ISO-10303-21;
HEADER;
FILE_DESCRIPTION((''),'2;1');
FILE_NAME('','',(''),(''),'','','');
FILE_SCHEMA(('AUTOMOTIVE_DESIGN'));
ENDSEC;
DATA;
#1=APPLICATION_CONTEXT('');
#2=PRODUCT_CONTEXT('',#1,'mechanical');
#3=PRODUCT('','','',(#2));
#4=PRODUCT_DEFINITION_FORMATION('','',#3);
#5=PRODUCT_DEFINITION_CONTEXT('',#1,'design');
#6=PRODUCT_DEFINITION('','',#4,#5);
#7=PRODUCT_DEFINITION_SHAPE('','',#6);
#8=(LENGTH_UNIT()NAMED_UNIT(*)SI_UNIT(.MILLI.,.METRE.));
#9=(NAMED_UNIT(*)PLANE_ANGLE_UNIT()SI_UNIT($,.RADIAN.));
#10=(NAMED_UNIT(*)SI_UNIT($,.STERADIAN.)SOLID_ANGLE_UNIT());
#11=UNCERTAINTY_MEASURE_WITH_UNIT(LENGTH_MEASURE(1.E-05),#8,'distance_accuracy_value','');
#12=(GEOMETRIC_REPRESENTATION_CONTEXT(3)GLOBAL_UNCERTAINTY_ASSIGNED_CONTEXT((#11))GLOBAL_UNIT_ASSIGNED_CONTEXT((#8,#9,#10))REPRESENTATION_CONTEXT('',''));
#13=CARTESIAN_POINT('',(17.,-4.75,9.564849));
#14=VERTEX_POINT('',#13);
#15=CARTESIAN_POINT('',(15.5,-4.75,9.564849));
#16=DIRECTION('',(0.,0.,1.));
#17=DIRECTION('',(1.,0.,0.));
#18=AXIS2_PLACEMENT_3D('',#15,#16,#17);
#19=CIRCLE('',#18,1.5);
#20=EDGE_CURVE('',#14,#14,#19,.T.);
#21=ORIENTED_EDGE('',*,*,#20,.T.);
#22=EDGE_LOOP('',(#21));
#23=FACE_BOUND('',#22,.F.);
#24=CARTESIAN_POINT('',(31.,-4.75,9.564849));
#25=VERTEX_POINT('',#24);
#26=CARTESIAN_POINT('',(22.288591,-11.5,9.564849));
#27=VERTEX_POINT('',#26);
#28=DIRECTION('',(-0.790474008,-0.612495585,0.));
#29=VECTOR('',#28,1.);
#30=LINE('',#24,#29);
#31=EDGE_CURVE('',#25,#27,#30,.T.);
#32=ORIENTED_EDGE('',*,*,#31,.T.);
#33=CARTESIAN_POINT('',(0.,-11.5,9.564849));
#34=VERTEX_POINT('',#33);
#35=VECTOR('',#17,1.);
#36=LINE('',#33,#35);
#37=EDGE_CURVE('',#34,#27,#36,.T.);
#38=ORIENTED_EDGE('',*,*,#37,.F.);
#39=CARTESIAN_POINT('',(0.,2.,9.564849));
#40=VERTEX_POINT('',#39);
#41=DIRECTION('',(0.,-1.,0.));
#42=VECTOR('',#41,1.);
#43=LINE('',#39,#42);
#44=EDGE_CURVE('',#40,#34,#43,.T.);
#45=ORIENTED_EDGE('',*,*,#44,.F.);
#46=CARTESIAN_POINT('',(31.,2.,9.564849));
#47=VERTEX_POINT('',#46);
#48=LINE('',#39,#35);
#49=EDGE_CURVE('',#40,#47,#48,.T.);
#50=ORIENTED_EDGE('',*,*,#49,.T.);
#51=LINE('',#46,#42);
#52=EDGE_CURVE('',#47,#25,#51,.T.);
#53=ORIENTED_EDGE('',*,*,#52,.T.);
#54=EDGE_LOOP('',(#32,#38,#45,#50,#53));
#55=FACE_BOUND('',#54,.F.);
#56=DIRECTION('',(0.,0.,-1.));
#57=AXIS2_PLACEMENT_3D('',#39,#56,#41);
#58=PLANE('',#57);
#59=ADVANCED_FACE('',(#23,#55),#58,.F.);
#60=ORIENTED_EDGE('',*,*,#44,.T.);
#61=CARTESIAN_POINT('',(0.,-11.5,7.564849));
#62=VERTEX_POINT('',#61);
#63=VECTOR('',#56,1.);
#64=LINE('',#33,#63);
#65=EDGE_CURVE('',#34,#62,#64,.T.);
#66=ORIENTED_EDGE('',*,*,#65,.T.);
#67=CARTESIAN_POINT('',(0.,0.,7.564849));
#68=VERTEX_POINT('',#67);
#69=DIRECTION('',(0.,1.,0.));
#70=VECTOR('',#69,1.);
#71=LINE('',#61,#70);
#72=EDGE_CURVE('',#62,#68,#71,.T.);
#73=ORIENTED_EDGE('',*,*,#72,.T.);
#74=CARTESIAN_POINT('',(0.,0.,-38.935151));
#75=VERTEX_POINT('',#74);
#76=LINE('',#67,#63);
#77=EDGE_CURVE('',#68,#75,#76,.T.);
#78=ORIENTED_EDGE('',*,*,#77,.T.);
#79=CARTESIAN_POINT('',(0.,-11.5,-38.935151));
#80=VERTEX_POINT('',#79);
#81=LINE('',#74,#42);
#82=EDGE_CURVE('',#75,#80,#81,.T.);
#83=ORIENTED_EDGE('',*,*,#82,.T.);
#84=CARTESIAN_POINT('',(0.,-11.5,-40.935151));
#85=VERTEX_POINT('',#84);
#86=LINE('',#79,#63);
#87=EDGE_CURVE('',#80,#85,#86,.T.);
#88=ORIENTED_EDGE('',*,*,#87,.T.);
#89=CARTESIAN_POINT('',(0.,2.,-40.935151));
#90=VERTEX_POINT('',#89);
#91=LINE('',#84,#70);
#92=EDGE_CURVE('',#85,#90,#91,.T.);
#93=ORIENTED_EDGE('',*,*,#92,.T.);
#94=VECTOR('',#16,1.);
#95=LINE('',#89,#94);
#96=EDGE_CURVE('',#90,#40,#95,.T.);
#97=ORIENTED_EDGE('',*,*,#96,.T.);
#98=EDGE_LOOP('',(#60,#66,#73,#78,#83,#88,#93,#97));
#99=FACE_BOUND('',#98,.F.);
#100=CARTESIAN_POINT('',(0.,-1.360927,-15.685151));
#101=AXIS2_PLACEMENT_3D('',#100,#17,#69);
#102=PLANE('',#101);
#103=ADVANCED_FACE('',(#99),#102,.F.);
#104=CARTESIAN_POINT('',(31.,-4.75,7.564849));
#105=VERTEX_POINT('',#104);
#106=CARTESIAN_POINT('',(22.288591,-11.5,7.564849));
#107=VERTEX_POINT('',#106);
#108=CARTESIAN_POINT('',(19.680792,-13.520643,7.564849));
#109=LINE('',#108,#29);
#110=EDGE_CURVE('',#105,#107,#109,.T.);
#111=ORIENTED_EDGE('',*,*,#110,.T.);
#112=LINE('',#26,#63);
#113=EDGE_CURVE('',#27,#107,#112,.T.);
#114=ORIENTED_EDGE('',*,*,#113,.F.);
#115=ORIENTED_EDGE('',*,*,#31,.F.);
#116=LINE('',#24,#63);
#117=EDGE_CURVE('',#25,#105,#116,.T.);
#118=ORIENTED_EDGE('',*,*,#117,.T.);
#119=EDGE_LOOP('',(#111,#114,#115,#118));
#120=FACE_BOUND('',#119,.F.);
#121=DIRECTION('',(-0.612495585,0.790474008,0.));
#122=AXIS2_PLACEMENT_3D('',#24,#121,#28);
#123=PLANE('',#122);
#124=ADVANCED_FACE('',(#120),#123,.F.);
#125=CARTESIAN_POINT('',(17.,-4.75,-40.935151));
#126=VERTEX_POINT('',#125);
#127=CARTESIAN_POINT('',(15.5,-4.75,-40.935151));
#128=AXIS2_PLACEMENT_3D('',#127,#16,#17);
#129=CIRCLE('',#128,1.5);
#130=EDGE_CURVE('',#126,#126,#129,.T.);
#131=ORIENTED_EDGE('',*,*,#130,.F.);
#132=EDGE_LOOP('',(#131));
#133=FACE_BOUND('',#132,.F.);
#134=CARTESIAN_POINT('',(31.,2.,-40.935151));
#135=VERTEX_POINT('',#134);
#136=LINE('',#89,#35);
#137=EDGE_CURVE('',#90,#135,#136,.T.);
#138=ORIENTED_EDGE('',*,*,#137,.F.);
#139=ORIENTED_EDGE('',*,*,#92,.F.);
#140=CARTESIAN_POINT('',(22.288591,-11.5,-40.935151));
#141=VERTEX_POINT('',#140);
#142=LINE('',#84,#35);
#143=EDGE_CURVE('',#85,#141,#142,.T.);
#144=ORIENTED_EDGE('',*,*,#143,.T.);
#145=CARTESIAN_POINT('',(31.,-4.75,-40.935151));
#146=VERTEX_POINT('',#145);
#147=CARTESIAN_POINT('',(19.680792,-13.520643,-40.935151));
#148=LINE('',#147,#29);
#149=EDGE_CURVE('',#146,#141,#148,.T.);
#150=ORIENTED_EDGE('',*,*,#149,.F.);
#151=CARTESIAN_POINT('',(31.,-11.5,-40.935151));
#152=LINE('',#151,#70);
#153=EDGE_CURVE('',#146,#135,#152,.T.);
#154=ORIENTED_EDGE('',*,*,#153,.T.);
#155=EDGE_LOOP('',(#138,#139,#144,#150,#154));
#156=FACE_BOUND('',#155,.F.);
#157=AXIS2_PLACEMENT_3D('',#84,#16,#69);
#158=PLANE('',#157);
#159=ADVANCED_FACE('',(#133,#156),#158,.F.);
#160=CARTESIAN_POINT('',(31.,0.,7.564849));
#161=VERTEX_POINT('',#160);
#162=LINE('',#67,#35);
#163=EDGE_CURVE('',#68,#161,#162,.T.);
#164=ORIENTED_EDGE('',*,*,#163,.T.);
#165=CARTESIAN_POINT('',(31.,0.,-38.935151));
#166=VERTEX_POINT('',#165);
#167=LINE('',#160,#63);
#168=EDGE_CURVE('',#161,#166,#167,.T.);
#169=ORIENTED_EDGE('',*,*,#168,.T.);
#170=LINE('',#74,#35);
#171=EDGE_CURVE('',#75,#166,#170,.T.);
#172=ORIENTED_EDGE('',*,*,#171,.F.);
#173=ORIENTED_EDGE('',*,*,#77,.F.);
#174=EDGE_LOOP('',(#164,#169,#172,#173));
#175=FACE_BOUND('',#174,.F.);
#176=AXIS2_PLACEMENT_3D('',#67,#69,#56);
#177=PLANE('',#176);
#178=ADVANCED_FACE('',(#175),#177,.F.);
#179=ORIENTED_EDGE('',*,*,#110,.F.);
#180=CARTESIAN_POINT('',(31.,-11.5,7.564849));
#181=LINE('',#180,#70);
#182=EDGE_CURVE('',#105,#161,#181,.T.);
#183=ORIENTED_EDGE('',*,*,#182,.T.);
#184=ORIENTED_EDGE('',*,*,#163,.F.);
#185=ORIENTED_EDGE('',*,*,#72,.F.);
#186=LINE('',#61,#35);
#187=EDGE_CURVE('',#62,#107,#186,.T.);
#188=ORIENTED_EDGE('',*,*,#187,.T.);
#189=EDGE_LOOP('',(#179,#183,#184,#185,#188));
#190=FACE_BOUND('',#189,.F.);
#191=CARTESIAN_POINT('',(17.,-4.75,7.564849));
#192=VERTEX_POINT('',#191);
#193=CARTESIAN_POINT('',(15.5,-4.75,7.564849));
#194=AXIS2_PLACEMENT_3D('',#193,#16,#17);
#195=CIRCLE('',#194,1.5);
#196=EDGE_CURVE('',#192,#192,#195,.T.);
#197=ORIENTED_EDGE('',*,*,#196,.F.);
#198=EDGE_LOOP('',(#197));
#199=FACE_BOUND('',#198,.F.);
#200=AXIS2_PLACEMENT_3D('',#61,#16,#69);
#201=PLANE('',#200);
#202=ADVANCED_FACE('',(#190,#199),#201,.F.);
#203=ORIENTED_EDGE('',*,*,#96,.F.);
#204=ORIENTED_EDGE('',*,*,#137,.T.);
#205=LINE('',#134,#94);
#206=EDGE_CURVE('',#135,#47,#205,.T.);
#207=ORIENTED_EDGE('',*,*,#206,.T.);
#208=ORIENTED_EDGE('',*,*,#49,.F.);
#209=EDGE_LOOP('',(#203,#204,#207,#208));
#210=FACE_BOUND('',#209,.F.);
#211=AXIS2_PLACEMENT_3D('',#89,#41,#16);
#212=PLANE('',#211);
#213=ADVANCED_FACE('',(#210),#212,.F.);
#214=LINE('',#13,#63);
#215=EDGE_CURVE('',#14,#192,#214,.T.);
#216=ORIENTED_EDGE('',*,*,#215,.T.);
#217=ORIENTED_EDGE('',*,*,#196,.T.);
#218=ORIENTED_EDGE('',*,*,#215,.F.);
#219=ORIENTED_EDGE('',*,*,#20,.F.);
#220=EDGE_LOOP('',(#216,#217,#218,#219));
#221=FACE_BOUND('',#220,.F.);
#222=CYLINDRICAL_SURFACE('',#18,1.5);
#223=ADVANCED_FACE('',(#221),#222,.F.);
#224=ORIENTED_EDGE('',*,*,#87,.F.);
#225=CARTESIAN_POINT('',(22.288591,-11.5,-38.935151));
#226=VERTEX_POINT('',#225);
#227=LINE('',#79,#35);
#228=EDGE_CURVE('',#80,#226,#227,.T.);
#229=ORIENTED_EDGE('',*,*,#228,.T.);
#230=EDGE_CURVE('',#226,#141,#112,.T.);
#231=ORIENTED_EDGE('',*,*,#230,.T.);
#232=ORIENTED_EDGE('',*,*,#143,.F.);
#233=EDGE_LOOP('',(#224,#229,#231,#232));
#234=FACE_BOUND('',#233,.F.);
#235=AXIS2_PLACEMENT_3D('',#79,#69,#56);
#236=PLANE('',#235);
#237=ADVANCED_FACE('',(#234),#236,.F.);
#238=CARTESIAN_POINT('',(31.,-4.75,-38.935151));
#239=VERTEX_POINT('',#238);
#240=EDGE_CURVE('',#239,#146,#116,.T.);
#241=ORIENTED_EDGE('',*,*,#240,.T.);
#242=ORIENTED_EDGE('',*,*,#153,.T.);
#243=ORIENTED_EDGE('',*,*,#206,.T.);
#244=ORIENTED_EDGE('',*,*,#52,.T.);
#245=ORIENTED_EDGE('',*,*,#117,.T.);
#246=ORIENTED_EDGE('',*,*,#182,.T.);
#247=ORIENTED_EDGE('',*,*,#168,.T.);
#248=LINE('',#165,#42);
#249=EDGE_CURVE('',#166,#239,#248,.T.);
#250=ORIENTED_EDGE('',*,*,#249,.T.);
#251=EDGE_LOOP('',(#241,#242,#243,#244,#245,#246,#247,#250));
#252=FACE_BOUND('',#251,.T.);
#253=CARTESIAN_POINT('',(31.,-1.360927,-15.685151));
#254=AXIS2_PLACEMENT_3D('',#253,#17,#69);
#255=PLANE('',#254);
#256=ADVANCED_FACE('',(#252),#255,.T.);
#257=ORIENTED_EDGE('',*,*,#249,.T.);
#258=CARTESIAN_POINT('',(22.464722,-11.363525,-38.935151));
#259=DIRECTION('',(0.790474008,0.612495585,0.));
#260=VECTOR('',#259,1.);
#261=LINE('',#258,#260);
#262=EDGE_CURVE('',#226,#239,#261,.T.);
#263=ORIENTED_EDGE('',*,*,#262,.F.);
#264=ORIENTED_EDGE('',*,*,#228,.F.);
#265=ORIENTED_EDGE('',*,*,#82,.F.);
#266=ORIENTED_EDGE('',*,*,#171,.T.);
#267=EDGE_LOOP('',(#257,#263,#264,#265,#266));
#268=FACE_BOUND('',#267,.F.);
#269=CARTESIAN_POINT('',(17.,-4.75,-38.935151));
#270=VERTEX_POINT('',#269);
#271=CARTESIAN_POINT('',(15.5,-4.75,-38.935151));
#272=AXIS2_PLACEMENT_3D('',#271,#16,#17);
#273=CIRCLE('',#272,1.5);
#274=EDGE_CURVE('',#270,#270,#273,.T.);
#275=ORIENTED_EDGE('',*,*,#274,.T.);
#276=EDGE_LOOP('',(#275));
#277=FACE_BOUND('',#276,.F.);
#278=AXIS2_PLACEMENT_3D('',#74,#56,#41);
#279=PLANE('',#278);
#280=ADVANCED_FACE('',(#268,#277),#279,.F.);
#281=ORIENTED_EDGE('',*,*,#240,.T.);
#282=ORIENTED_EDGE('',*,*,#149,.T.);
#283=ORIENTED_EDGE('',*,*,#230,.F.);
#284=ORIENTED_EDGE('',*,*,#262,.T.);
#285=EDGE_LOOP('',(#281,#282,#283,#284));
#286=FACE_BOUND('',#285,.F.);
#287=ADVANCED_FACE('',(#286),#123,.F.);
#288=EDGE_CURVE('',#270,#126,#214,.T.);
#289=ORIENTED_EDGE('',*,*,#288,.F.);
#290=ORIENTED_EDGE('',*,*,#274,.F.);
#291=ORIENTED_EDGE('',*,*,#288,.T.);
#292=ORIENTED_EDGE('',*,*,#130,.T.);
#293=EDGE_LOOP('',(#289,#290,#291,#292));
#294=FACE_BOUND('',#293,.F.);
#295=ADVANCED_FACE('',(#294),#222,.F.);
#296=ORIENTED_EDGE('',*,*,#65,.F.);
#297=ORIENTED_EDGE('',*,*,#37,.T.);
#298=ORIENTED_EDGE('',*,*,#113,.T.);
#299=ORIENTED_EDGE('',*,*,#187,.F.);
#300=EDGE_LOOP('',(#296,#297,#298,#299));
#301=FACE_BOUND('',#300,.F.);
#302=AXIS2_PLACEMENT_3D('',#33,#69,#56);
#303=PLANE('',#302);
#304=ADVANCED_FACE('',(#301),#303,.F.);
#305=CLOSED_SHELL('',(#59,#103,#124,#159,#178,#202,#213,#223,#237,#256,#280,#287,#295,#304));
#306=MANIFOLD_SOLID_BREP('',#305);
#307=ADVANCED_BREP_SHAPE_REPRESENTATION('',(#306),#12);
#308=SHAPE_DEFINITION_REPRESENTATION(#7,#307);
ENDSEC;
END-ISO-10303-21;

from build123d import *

# Parameters (mm, degrees)
F1_DEPTH = 31
F2_R     = 1.5
F3_DEPTH = 77


with BuildPart() as f1:
    # F0 (on Right) → F1 (new body)
    with BuildSketch(Plane.YZ):
        Polygon((-11.5, 7.564849), (0, 7.564849), (0, -38.935151), (-11.5, -38.935151), (-11.5, -40.935151), (2, -40.935151), (2, 9.564849), (-11.5, 9.564849), align=None)
    extrude(amount=F1_DEPTH)

    # F2 (on face) → F3 (cut)
    with BuildSketch(Plane.XY.offset(9.564849)):
        with Locations((15.5, -4.75)):
            Circle(F2_R)
        Polygon((22.288591, -11.5), (31, -11.5), (31, -4.75), align=None)
    extrude(amount=-F3_DEPTH, mode=Mode.SUBTRACT)


solid = f1.part
